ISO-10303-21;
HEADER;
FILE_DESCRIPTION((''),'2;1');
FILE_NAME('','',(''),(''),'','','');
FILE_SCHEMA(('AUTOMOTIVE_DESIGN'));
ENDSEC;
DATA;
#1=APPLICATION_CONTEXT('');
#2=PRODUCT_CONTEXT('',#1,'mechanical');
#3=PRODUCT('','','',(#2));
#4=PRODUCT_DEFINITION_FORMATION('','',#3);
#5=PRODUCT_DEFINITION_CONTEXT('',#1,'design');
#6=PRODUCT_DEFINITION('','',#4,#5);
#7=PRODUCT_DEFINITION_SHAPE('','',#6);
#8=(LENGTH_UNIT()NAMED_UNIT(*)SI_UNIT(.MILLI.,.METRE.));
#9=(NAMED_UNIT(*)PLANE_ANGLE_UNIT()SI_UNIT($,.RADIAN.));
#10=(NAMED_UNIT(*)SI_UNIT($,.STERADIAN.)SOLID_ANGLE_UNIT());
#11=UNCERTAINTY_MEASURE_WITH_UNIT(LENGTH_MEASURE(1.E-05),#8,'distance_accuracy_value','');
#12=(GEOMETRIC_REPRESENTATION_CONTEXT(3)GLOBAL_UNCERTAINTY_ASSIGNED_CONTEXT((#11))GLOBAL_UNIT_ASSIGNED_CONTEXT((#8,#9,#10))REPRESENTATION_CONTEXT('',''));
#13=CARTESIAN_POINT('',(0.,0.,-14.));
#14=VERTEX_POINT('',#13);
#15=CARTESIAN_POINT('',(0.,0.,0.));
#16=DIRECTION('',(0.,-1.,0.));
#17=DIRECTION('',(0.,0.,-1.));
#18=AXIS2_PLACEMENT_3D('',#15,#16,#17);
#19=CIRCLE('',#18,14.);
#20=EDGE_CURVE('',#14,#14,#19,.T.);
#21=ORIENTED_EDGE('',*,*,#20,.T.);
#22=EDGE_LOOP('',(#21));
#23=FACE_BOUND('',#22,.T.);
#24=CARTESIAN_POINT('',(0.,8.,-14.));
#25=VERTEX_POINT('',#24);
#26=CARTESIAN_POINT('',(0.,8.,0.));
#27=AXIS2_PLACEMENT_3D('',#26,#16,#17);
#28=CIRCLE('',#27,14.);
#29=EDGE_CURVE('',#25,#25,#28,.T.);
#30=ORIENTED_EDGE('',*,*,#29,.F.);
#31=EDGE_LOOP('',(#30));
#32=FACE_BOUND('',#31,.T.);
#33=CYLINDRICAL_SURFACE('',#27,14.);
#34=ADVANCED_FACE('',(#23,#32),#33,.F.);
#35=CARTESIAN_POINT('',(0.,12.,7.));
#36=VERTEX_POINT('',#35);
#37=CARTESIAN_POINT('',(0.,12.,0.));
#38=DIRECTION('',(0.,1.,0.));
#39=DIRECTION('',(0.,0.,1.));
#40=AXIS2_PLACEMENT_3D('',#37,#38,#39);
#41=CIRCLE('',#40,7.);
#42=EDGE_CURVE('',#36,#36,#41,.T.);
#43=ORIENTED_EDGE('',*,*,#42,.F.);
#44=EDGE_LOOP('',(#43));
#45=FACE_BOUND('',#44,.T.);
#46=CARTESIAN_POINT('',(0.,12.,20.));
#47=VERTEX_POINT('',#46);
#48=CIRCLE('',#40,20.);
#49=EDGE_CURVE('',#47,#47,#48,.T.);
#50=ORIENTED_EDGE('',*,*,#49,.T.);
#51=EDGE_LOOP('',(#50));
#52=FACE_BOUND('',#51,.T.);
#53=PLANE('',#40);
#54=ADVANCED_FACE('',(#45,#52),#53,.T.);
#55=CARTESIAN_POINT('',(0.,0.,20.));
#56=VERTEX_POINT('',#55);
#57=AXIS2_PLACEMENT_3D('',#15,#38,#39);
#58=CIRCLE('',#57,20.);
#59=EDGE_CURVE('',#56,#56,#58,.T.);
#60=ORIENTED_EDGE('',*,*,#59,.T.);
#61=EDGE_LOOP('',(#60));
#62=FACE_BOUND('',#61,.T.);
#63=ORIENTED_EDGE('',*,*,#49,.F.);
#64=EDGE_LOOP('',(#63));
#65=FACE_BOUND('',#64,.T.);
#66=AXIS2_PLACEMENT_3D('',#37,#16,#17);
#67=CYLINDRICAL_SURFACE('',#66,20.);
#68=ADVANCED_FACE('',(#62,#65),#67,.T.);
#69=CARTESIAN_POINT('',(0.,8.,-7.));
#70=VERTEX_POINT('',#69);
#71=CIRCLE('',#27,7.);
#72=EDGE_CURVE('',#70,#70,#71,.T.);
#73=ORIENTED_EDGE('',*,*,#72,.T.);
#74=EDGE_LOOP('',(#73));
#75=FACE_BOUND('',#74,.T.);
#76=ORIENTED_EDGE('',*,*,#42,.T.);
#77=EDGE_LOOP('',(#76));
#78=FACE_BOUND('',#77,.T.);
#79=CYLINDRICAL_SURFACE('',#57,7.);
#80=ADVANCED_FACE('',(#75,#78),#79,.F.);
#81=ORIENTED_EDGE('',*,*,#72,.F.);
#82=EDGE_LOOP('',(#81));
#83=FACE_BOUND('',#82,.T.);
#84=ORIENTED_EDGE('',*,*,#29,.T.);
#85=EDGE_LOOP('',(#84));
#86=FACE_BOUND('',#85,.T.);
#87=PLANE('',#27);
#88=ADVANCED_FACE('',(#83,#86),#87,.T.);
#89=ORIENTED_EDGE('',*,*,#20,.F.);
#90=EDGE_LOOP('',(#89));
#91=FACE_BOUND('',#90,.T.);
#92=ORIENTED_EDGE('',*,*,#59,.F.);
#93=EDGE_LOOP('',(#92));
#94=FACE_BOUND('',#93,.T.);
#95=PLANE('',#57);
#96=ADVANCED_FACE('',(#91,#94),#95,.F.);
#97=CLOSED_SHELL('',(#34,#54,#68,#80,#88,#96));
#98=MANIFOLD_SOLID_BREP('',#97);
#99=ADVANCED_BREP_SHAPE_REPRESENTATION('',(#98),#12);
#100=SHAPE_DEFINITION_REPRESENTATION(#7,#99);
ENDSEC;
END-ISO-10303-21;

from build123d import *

# Parameters (mm, degrees)
SKETCH_1_R          = 20
EXTRUDE_1_DEPTH     = 12
SKETCH_3_R          = 14
CUT_EXTRUDE_3_DEPTH = 8
SKETCH_4_R          = 7
CUT_EXTRUDE_4_DEPTH = 31.724582991


with BuildPart() as part:
    # Эскиз1 → Вытянуть1 (new body)
    with BuildSketch(Plane(origin=(0, 0, 0), x_dir=(1, 0, 0), z_dir=(0, 1, 0))):
        with Locations(Location((0, 0, 0), (0, 0, 270))):
            Circle(SKETCH_1_R)
    extrude(amount=EXTRUDE_1_DEPTH)

    # Эскиз3 → Вытянуть3 (cut)
    with BuildSketch(Plane.XZ):
        with Locations(Location((0, 0, 0), (0, 0, 270))):
            Circle(SKETCH_3_R)
    extrude(amount=-CUT_EXTRUDE_3_DEPTH, mode=Mode.SUBTRACT)

    # Эскиз4 → Вытянуть4 (cut, through all)
    with BuildSketch(Plane(origin=(0, 12, 0), x_dir=(1, 0, 0), z_dir=(0, 1, 0))):
        with Locations(Location((0, 0, 0), (0, 0, 270))):
            Circle(SKETCH_4_R)
    extrude(amount=-CUT_EXTRUDE_4_DEPTH, mode=Mode.SUBTRACT)


solid = part.part
